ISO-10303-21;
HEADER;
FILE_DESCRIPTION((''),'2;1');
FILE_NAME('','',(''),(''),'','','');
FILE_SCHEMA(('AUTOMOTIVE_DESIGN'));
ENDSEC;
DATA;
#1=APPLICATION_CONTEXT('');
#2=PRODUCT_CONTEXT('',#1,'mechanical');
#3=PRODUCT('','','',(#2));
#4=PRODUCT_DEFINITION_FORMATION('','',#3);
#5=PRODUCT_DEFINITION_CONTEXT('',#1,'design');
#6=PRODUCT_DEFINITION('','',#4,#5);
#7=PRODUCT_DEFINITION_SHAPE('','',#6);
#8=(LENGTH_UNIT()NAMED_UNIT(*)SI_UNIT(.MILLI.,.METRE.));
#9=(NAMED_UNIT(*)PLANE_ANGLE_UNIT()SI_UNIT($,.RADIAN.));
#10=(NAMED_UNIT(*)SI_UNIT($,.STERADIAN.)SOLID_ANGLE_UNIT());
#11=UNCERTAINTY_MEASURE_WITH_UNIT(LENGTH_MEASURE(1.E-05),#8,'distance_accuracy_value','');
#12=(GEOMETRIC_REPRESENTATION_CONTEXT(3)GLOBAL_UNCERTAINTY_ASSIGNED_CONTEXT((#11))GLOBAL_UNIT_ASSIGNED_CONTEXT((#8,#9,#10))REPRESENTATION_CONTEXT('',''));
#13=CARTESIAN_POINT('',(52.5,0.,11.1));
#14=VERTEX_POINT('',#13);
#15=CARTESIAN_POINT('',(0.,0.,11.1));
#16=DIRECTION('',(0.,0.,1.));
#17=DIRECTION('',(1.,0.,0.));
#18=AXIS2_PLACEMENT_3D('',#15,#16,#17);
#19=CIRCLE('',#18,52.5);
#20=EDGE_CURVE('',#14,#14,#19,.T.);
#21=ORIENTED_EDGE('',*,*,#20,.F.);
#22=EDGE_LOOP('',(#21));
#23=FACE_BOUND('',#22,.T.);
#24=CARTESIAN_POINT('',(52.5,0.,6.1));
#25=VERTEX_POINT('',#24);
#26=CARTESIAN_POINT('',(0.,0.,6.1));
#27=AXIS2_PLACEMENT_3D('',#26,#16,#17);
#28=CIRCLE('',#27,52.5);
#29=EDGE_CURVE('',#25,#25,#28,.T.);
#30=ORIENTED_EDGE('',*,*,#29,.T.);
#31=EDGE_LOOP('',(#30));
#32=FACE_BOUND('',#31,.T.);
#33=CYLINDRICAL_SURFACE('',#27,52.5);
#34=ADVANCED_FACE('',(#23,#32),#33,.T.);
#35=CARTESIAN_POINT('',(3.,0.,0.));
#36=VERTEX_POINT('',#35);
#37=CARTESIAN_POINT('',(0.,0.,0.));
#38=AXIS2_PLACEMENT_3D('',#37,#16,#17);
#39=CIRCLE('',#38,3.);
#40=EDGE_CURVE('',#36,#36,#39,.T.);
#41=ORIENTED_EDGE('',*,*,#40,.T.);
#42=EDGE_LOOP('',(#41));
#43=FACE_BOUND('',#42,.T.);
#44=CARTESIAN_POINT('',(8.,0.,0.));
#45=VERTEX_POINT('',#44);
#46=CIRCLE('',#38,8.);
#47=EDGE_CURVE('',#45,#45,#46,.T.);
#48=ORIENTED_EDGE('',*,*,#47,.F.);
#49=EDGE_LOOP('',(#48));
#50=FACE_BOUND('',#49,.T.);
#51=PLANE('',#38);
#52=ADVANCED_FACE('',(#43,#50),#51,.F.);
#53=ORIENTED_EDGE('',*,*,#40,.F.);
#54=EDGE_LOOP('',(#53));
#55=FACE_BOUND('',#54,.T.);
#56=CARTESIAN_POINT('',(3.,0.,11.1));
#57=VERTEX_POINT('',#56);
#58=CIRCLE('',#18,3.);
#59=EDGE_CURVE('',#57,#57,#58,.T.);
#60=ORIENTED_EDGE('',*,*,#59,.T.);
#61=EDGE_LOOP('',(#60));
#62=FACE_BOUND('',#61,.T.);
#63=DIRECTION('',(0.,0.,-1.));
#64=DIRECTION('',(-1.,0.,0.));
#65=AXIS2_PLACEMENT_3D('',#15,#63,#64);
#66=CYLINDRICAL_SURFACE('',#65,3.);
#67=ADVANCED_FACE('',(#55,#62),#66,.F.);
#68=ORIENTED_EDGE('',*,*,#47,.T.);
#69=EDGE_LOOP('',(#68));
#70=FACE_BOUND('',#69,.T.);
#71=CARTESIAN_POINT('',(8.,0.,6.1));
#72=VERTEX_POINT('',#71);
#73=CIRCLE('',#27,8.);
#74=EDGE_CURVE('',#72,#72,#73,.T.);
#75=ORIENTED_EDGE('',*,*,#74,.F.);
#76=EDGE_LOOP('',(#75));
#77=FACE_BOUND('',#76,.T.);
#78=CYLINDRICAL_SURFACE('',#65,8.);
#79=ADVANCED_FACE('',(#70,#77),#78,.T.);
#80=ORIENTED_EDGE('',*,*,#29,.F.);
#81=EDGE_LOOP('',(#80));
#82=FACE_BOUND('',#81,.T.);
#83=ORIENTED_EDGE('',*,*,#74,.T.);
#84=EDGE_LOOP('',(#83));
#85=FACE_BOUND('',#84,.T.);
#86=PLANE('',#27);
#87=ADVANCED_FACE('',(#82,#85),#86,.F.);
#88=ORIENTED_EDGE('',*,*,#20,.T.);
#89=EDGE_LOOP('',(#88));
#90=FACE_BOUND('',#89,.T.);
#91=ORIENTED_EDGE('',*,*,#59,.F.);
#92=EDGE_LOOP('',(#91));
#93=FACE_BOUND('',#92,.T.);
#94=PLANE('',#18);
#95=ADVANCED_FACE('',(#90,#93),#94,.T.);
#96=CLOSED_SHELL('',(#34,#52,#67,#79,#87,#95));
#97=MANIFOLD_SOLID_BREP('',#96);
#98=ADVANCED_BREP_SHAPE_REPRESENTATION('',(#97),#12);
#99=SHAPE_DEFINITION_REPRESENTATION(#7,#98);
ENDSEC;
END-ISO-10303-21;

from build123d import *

# Parameters (mm, degrees)
IZIM1_R                     = 8
IZIM1_R_2                   = 3
Y_KSEKLIK_EKSTR_ZYON1_DEPTH = 11.1
Y_KSEKLIK_EKSTR_ZYON2_START = -5
IZIM2_R                     = 52.5
IZIM2_R_2                   = 3
Y_KSEKLIK_EKSTR_ZYON2_DEPTH = 5


with BuildPart() as part:
    # Çizim1 → Yükseklik-Ekstrüzyon1 (new body)
    with BuildSketch(Plane.XY):
        Circle(IZIM1_R)
        Circle(IZIM1_R_2, mode=Mode.SUBTRACT)
    extrude(amount=Y_KSEKLIK_EKSTR_ZYON1_DEPTH)

    # Çizim2 → Yükseklik-Ekstrüzyon2 (add)
    with BuildSketch(Plane.XY.offset(11.1).offset(Y_KSEKLIK_EKSTR_ZYON2_START)):
        Circle(IZIM2_R)
        Circle(IZIM2_R_2, mode=Mode.SUBTRACT)
    extrude(amount=Y_KSEKLIK_EKSTR_ZYON2_DEPTH)


solid = part.part
